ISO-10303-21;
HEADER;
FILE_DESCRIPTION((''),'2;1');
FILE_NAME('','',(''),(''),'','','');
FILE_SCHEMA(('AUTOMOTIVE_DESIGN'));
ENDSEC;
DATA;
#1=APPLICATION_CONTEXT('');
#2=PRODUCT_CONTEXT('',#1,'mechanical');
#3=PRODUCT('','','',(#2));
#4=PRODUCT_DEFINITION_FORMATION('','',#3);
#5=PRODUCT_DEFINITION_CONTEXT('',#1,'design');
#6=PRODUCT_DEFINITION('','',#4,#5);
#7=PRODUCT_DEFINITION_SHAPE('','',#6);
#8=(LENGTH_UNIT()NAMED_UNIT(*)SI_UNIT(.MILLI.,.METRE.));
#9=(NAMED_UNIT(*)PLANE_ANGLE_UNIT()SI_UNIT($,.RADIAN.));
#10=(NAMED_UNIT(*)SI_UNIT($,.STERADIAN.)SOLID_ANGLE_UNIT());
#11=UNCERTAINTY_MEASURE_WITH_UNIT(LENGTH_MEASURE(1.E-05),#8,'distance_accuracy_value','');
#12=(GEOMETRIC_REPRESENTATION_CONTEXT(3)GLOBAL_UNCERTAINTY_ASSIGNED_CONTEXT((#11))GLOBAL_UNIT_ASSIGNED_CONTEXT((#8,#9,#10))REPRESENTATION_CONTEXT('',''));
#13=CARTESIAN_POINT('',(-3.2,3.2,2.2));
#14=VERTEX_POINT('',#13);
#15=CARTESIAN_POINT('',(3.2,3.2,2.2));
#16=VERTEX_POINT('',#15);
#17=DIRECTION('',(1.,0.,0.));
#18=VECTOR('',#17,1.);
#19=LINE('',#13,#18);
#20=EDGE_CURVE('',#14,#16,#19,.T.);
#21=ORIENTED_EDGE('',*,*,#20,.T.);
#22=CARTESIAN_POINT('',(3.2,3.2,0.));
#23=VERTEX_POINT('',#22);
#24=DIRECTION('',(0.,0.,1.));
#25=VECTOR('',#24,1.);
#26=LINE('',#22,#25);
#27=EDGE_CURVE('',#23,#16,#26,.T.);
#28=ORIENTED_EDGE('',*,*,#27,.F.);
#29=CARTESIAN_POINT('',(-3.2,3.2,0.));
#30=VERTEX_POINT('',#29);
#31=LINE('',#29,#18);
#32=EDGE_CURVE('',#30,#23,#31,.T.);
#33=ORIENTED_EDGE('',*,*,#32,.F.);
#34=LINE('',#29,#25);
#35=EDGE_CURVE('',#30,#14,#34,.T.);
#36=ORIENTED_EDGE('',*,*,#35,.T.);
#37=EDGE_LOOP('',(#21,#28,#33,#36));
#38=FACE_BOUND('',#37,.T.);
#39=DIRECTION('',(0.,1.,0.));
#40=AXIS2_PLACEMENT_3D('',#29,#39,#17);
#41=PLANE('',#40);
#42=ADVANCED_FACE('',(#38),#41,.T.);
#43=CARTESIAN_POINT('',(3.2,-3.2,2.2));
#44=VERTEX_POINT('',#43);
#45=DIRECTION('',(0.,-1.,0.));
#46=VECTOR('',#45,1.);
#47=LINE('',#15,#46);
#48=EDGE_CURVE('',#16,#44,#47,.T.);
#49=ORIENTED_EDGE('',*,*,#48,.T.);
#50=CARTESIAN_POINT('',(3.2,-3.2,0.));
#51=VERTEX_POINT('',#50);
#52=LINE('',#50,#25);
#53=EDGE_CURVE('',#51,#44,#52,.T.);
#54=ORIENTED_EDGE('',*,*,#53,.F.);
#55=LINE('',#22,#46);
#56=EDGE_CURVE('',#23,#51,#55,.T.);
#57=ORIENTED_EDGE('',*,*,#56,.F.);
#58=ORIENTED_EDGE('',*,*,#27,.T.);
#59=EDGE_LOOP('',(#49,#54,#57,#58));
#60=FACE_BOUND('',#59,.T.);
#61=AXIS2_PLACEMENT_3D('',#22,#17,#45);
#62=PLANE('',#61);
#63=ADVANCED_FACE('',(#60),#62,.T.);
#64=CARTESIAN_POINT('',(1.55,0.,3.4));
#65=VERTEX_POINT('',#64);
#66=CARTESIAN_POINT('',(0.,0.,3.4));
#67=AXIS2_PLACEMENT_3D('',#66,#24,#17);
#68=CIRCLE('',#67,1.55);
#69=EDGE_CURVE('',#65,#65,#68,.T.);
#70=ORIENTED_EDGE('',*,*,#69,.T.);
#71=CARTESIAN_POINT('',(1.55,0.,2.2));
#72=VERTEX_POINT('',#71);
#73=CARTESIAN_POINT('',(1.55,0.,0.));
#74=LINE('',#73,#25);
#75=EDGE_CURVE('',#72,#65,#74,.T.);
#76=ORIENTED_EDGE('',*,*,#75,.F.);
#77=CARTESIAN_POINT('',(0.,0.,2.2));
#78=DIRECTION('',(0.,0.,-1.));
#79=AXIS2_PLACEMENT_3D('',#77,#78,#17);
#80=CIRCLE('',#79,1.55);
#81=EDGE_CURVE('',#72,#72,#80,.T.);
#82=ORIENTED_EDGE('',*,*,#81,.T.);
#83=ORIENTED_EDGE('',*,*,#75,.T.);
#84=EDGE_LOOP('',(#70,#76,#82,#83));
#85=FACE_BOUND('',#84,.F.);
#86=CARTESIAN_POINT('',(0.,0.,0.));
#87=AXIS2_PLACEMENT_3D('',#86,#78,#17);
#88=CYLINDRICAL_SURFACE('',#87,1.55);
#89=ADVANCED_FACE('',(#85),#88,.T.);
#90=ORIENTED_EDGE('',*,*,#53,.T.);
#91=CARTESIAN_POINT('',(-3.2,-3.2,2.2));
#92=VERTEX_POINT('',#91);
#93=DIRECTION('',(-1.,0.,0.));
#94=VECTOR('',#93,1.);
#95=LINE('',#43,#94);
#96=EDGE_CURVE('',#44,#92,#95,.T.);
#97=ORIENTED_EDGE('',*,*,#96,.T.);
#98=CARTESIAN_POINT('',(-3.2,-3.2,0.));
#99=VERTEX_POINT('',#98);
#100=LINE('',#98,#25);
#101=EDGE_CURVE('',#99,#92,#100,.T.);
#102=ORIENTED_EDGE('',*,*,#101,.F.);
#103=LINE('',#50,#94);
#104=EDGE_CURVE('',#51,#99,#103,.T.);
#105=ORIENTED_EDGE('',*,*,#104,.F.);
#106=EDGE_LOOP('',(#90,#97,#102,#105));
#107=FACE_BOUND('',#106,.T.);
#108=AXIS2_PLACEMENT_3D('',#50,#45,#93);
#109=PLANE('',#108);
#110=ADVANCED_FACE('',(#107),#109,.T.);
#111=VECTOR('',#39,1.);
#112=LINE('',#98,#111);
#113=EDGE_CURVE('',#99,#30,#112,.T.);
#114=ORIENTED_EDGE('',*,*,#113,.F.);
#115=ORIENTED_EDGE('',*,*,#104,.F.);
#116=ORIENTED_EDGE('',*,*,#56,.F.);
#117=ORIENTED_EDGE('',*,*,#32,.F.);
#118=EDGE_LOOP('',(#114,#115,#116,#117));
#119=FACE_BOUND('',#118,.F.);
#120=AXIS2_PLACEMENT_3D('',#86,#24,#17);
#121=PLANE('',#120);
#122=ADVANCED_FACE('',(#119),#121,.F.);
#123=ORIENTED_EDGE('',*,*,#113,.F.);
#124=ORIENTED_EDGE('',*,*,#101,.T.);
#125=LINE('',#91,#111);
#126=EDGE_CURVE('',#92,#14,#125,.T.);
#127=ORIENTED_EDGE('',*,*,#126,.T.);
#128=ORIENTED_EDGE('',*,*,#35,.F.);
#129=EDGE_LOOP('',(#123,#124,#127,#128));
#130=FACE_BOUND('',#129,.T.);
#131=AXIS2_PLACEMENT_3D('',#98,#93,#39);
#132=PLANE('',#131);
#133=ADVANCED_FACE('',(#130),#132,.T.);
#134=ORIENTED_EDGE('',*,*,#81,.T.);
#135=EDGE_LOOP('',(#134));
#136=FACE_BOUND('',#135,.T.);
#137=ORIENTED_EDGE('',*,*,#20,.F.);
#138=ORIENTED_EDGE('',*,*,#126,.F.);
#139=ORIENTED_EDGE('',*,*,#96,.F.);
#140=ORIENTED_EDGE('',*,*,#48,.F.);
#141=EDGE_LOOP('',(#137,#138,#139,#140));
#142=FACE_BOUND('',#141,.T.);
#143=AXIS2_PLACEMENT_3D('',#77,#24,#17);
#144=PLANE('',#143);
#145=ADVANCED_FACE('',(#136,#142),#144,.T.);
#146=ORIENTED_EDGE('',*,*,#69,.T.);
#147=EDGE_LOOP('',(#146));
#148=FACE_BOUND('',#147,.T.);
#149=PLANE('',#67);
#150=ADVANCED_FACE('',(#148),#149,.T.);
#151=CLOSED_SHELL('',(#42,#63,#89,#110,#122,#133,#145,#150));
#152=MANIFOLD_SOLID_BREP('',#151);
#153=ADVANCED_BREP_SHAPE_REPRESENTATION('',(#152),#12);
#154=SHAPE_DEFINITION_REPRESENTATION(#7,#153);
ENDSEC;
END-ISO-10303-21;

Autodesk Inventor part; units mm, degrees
ref_plane "YZ Plane" through (0, 0, 0) normal (1, 0, 0) x (0, 1, 0)
ref_plane "XZ Plane" through (0, 0, 0) normal (0, 1, 0) x (-1, 0, 0)
ref_plane "XY Plane" through (0, 0, 0) normal (0, 0, 1) x (1, 0, 0)
sketch "スケッチ1" plane through (0, 0, 0) normal (0, 0, 1) x (1, 0, 0)
  line L0 (-3.2, 3.2) -> (3.2, 3.2)
  line L1 (3.2, 3.2) -> (3.2, -3.2)
  line L2 (3.2, -3.2) -> (-3.2, -3.2)
  line L3 (-3.2, -3.2) -> (-3.2, 3.2)
  point P0 (0, 0)
  dimension "d0" = 3.2
  dimension "d1" = 3.2
  dimension "d2" = 6.4
  dimension "d3" = 6.4
extrude "押し出し1" add sketch "スケッチ1" along normal blind 2.2
sketch "スケッチ2" plane through (0, 0, 0) normal (0, 0, 1) x (1, 0, 0)
  circle A0 centre (0, 0) radius 1.55
  dimension "d6" = 3.1
extrude "押し出し2" add sketch "スケッチ2" along normal blind 3.4
properties part number "tact_sw"
